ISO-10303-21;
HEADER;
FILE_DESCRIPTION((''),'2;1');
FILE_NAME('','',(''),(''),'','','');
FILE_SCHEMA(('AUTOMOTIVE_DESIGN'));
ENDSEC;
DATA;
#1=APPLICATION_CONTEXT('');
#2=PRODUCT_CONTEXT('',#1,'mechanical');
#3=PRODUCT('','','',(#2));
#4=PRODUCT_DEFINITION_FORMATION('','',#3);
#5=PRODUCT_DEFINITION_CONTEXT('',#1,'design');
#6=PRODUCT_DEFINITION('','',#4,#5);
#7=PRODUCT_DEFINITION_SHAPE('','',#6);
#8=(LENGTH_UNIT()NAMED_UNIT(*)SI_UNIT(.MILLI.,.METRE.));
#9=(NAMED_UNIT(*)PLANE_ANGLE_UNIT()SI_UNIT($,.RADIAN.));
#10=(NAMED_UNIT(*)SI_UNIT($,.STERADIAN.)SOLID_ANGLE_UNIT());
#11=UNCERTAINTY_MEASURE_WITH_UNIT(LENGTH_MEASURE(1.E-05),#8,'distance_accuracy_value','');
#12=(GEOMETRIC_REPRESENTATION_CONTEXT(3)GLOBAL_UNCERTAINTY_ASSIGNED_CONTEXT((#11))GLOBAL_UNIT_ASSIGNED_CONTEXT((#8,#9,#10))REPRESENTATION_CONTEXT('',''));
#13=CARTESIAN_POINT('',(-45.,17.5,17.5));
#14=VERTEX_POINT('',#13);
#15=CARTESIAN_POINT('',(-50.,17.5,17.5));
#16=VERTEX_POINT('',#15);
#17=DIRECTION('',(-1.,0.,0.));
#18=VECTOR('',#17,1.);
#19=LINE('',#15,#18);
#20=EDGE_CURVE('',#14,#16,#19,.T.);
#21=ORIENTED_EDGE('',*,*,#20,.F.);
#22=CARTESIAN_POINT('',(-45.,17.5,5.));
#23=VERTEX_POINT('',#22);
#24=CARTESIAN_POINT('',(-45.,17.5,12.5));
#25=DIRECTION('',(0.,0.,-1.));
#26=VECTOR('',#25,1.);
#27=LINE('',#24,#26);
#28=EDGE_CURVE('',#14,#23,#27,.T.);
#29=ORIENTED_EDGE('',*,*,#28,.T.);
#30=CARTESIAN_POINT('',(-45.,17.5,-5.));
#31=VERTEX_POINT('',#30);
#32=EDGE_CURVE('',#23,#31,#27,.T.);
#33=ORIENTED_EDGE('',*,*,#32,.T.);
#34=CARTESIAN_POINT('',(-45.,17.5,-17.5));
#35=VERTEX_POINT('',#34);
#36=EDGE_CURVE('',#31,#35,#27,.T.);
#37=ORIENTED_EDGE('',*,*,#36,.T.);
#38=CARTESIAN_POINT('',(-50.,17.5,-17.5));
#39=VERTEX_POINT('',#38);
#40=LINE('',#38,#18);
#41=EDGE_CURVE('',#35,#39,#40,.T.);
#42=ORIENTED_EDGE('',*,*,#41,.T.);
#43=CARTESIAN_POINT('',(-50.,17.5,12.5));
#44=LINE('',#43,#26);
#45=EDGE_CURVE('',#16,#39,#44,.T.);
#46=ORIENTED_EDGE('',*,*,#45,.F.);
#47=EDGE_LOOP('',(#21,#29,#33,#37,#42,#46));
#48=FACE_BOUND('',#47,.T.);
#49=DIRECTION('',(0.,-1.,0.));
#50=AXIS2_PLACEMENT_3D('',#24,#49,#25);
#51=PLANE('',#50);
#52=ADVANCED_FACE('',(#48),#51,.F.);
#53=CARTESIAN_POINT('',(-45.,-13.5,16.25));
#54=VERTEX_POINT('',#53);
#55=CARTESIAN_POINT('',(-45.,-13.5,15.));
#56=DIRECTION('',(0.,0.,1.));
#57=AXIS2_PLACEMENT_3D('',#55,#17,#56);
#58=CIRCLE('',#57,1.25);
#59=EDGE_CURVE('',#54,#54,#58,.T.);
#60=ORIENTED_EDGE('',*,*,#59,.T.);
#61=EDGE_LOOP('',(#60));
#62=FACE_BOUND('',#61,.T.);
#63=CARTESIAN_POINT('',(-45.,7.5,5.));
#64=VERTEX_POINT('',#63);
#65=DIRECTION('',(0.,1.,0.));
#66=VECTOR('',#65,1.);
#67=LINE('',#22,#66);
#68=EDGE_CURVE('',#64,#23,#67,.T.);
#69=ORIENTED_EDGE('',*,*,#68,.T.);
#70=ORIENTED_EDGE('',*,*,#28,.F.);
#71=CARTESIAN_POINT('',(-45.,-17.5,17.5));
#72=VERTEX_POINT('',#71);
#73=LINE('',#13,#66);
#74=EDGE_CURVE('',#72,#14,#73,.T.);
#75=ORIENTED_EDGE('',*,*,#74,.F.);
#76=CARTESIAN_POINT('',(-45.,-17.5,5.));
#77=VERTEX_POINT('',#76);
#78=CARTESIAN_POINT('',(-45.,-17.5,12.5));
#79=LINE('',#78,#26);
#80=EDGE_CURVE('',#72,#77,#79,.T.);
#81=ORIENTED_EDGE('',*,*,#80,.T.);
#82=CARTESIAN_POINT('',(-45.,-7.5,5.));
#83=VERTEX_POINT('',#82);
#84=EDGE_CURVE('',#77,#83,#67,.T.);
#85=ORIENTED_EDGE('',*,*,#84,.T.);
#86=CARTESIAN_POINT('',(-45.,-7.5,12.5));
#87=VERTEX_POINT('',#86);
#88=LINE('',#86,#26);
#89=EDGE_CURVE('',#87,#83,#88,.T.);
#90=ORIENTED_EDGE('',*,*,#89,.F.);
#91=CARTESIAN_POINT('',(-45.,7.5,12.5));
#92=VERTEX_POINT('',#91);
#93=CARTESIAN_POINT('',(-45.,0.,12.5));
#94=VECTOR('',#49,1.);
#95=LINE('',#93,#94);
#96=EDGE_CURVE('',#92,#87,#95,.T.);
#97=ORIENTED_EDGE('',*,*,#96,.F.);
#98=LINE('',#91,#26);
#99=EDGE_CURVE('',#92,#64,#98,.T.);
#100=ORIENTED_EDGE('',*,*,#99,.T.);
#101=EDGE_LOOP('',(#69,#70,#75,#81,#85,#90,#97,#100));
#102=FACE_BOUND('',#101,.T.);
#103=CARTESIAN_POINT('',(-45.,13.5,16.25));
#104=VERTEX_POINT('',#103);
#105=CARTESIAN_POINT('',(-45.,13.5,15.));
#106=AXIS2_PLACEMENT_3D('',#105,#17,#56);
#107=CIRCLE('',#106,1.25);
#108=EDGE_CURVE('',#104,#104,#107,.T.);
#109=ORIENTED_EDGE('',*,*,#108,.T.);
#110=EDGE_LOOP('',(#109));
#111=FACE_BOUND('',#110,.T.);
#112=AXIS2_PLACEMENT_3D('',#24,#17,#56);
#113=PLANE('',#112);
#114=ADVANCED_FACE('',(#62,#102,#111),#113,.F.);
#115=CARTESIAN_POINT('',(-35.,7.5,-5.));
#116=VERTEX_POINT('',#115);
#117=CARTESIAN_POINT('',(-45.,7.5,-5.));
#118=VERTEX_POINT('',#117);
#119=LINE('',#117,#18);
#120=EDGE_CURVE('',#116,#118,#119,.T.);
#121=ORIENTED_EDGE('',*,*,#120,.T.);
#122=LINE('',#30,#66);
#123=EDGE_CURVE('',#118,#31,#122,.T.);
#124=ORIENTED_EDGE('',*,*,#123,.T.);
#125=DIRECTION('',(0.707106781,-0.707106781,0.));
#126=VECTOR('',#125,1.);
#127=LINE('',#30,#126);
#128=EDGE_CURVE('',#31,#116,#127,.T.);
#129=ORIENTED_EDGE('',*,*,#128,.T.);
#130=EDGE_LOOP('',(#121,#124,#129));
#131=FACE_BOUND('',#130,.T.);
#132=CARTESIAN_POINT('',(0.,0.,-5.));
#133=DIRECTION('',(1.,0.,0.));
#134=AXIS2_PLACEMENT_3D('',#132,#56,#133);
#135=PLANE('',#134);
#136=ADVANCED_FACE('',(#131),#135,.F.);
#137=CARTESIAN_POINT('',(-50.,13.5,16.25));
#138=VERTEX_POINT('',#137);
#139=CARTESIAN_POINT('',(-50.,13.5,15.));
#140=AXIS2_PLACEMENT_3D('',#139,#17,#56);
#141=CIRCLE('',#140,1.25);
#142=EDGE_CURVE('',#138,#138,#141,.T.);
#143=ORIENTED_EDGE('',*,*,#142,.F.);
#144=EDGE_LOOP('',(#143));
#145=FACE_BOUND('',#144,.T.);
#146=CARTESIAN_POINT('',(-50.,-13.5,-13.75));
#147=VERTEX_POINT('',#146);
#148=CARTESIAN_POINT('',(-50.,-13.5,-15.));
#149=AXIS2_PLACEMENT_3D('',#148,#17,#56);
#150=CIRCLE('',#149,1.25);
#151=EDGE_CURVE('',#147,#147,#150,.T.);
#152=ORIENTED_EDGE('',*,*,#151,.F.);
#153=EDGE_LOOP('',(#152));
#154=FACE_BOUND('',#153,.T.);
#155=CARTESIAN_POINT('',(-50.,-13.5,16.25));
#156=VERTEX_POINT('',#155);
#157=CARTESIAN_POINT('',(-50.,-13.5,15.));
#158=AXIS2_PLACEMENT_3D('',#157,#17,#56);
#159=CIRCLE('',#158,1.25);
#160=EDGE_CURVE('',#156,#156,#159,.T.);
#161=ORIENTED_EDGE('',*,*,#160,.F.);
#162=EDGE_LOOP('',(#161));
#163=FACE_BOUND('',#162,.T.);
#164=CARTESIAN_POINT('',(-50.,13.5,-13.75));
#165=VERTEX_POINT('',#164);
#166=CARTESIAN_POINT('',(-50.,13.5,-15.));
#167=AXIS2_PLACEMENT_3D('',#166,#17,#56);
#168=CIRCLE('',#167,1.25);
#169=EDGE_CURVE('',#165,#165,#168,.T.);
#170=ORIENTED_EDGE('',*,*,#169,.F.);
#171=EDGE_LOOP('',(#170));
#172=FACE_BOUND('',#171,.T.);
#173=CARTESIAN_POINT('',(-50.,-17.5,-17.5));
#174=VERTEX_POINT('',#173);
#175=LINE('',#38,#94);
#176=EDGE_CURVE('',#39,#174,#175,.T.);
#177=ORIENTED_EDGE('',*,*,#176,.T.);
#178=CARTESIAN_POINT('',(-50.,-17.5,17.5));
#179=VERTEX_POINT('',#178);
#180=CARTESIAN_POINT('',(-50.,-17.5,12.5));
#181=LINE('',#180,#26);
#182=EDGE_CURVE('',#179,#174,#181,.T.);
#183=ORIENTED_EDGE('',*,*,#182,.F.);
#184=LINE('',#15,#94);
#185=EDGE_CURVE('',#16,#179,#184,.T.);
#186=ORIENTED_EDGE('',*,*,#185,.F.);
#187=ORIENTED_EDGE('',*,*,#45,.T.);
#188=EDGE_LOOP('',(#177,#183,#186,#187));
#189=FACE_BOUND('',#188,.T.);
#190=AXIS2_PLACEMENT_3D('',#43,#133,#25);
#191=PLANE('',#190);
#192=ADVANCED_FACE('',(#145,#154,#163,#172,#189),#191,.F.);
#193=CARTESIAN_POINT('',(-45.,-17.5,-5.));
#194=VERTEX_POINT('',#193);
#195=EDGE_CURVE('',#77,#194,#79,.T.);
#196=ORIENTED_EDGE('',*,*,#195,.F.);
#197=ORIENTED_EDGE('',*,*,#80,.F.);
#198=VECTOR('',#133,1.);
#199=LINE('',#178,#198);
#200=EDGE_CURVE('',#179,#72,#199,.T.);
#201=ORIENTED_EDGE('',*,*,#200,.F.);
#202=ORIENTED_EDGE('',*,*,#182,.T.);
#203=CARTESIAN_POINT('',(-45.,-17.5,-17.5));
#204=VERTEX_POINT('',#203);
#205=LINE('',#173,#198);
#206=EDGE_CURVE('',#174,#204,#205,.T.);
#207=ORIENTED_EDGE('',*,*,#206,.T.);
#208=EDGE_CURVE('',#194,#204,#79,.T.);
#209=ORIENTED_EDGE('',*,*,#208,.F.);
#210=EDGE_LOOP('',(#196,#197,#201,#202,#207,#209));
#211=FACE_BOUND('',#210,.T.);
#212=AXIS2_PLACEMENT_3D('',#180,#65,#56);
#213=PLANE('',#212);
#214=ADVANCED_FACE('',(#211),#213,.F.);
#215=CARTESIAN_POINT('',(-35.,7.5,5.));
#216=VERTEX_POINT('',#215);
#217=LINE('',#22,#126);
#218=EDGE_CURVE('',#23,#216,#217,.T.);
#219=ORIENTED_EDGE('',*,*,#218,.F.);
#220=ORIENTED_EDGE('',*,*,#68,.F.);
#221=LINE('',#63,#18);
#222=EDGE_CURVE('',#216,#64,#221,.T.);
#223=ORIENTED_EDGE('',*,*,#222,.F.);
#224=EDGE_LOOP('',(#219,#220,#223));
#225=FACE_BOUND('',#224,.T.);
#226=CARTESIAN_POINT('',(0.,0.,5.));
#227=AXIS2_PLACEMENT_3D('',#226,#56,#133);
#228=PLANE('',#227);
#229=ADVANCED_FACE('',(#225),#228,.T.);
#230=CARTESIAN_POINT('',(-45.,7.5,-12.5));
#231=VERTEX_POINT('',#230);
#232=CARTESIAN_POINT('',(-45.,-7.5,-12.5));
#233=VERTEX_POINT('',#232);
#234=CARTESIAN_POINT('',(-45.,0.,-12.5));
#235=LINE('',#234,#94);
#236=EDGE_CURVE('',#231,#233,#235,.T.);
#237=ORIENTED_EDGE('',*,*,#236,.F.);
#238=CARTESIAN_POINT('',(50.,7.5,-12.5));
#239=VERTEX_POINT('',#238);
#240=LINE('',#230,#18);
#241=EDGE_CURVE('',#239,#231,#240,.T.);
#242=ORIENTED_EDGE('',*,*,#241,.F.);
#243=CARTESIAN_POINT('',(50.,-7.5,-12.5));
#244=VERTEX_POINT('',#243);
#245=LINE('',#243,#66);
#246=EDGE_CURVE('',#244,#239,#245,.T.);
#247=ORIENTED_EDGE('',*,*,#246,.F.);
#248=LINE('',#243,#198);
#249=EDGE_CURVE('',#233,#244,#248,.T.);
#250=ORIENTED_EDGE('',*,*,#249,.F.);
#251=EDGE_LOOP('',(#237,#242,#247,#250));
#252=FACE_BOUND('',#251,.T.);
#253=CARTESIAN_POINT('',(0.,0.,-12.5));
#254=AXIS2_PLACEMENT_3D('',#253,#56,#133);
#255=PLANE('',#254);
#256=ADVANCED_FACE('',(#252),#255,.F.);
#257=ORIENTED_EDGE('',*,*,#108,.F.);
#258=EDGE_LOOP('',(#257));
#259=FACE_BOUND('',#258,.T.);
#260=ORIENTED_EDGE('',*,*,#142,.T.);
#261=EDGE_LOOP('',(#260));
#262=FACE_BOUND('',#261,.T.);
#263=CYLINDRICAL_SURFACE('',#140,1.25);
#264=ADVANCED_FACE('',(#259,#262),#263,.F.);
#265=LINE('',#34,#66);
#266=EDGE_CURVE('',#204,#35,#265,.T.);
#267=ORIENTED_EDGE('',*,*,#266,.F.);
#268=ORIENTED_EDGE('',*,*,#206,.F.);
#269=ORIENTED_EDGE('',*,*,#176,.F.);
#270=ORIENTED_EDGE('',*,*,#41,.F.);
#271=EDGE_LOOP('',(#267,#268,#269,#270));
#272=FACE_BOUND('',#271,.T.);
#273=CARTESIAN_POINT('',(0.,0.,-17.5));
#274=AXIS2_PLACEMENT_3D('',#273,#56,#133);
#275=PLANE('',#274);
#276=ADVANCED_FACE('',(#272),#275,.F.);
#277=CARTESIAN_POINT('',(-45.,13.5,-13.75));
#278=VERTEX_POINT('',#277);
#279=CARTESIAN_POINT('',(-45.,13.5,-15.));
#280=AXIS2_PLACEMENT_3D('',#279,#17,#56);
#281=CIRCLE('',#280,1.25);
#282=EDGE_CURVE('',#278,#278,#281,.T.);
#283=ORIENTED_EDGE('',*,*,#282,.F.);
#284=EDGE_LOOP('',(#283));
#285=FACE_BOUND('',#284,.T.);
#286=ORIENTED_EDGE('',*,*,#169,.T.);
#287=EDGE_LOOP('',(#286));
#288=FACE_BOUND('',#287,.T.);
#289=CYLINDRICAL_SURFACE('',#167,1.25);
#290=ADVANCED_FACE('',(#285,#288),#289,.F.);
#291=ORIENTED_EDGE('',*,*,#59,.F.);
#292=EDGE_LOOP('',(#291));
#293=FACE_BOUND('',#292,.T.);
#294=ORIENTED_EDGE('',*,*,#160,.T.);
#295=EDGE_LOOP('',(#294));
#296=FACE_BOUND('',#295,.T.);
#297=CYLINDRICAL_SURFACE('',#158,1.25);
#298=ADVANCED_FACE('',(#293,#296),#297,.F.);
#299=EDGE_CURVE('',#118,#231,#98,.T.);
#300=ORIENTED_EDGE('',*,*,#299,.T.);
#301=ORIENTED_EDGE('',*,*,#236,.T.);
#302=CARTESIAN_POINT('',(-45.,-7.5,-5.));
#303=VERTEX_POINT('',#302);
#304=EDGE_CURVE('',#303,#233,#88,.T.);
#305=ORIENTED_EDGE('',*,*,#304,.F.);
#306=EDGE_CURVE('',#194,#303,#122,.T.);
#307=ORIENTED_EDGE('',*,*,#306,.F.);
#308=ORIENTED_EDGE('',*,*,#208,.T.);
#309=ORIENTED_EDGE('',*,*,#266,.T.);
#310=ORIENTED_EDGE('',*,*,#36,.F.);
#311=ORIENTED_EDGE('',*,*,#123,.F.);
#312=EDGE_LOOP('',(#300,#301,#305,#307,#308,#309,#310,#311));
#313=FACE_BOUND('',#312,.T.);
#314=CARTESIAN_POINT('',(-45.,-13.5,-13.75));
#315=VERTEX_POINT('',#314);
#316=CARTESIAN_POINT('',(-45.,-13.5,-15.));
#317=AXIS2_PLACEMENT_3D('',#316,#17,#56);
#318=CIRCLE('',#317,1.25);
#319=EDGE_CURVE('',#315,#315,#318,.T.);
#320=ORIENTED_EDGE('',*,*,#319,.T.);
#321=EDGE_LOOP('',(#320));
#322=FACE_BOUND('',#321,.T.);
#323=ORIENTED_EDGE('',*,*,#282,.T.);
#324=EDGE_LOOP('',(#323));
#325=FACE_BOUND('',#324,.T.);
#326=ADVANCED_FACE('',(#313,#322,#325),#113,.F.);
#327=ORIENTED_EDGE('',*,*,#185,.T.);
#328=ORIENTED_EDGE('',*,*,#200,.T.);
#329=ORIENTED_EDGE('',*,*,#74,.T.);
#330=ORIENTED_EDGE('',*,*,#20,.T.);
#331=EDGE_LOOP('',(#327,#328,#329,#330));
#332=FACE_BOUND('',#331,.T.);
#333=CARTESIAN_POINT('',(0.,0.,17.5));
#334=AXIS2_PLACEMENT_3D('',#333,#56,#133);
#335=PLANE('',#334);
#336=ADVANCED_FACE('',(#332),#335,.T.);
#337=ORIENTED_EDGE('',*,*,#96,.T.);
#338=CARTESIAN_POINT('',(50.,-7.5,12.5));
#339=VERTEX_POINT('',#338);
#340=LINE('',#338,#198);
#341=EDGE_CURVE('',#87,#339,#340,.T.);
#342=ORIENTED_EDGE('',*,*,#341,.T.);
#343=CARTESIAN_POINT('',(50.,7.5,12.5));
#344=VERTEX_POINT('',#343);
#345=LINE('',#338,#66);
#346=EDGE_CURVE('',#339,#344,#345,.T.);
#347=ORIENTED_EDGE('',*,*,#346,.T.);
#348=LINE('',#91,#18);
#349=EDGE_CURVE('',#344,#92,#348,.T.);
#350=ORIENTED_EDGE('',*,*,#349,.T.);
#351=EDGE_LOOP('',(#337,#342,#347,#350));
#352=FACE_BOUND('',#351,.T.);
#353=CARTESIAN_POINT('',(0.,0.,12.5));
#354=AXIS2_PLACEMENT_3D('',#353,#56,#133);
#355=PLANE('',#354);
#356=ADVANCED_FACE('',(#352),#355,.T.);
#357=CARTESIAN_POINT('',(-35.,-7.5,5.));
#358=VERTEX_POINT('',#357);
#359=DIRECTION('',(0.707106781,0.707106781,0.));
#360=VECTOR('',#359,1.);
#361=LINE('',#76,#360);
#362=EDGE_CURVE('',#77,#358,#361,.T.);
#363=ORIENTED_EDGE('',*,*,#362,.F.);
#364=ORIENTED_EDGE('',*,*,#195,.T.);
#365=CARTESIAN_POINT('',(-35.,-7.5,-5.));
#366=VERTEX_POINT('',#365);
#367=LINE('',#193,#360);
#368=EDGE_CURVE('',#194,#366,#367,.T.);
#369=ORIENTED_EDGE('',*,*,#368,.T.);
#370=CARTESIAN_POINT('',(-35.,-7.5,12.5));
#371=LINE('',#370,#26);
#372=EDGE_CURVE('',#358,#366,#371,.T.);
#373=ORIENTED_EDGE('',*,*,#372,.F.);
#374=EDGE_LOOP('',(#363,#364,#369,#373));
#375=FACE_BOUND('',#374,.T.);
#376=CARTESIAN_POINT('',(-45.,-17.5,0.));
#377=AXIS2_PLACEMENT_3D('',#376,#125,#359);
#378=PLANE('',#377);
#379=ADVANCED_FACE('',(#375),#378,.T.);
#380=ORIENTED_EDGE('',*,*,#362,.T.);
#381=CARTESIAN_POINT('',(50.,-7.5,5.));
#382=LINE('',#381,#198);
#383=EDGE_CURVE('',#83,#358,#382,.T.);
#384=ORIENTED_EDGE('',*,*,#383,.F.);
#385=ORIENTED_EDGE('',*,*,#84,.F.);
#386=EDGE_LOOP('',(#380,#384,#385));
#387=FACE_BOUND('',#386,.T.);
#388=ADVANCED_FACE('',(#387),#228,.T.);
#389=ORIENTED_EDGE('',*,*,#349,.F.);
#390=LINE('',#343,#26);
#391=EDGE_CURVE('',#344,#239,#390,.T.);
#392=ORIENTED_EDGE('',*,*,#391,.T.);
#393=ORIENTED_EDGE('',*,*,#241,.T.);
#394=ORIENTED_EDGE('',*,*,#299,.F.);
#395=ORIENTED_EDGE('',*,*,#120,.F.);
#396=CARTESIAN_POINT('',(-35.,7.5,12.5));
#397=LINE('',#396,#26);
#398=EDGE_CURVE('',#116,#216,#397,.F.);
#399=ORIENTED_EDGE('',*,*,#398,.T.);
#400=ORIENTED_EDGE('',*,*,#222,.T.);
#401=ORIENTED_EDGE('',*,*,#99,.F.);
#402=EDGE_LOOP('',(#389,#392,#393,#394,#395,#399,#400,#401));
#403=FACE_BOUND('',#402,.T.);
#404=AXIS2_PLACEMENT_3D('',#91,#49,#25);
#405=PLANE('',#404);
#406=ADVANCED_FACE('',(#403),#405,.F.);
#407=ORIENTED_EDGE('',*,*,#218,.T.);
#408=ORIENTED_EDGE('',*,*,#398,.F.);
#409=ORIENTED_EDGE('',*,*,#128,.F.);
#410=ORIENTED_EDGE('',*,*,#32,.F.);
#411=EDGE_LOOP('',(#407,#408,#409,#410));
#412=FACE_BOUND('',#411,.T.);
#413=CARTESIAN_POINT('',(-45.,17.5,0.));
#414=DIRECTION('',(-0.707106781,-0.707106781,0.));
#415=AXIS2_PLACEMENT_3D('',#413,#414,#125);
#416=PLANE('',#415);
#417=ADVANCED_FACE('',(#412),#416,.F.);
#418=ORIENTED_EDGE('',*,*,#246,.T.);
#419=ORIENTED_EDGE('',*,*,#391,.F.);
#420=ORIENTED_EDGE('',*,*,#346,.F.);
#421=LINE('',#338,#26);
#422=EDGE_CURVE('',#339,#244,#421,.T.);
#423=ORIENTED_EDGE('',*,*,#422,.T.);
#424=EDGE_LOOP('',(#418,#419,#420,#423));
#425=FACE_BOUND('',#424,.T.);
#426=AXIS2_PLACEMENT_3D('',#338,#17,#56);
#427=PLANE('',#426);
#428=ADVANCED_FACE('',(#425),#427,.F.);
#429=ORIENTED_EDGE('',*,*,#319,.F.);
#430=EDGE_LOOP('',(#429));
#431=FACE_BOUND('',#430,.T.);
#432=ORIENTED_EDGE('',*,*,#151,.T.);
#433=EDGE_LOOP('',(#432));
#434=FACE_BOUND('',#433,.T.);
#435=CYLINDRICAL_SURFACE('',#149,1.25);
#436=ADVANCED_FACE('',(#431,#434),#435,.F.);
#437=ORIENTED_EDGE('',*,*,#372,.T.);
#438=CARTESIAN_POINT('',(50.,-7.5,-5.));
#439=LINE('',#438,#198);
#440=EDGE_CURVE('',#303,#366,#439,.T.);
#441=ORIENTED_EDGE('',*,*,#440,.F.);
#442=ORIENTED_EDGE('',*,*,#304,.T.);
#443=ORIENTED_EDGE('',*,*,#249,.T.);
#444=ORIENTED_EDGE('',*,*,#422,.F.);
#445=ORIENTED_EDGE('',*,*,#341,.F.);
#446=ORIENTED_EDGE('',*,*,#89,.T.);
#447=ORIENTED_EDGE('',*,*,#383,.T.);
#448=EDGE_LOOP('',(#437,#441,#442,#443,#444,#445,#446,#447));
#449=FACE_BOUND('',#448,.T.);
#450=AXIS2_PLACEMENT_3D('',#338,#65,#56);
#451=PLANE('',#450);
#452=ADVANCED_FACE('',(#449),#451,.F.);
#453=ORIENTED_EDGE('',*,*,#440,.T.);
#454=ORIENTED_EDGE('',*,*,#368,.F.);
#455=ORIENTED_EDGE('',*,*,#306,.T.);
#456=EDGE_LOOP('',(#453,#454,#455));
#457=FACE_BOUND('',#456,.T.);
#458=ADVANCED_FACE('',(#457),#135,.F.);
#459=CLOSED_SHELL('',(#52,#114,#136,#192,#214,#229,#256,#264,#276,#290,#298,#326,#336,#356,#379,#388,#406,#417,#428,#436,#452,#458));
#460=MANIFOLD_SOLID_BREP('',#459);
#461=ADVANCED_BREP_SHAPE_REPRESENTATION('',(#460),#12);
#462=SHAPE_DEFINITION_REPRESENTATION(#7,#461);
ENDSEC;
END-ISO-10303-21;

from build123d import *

# Parameters (mm, degrees)
BOSS_EXTRUDE1_DEPTH         = 12.5
SKETCH2_W                   = 5
SKETCH2_H                   = 35
BOSS_EXTRUDE2_DEPTH         = 17.5
TAP_DRILL_FOR_M3X0_5_TAP1_D = 2.5
RIB1_REACH                  = 57.79
SKETCH5_WALL_W              = 127.721703646
SKETCH5_WALL_H              = 10
RIB6_REACH                  = 57.79
SKETCH7_WALL_W              = 127.721703646
SKETCH7_WALL_H              = 10


with BuildPart() as part:
    # Sketch1 → Boss-Extrude1 (new, symmetric)
    with BuildSketch(Plane.XY):
        Polygon((-50, 17.5), (-50, -17.5), (-45, -17.5), (-45, -7.5), (50, -7.5), (50, 7.5), (-45, 7.5), (-45, 17.5), align=None)
    extrude(amount=BOSS_EXTRUDE1_DEPTH, both=True)

    # Sketch2 → Boss-Extrude2 (add, symmetric)
    with BuildSketch(Plane.XY):
        with Locations((-47.5, 0)):
            Rectangle(SKETCH2_W, SKETCH2_H)
    extrude(amount=BOSS_EXTRUDE2_DEPTH, both=True)

    # Tap Drill for M3x0.5 Tap1 (through all)
    with Locations(Plane.ZY.offset(50)):
        with Locations((-15, 13.5), (15, 13.5), (15, -13.5), (-15, -13.5)):
            Hole(TAP_DRILL_FOR_M3X0_5_TAP1_D / 2)

    # Sketch5 wall → Rib1 (add, up to next)
    with BuildSketch(Plane(origin=(-40, 12.5, 0), x_dir=(0.707106781187, -0.707106781187, 0), z_dir=(0.707106781187, 0.707106781187, 0)), mode=Mode.PRIVATE) as rib1_sk1:
        Rectangle(SKETCH5_WALL_W, SKETCH5_WALL_H)
    rib1_tool1 = extrude(rib1_sk1.sketch, amount=-RIB1_REACH, mode=Mode.PRIVATE) - part.part
    add(rib1_tool1.solids().sort_by_distance((-40, 12.5, 0))[0])

    # Sketch7 wall → Rib6 (add, up to next)
    with BuildSketch(Plane(origin=(-40, -12.5, 0), x_dir=(0.707106781187, 0.707106781187, 0), z_dir=(-0.707106781187, 0.707106781187, 0)), mode=Mode.PRIVATE) as rib6_sk1:
        Rectangle(SKETCH7_WALL_W, SKETCH7_WALL_H)
    rib6_tool1 = extrude(rib6_sk1.sketch, amount=RIB6_REACH, mode=Mode.PRIVATE) - part.part
    add(rib6_tool1.solids().sort_by_distance((-40, -12.5, 0))[0])


solid = part.part
